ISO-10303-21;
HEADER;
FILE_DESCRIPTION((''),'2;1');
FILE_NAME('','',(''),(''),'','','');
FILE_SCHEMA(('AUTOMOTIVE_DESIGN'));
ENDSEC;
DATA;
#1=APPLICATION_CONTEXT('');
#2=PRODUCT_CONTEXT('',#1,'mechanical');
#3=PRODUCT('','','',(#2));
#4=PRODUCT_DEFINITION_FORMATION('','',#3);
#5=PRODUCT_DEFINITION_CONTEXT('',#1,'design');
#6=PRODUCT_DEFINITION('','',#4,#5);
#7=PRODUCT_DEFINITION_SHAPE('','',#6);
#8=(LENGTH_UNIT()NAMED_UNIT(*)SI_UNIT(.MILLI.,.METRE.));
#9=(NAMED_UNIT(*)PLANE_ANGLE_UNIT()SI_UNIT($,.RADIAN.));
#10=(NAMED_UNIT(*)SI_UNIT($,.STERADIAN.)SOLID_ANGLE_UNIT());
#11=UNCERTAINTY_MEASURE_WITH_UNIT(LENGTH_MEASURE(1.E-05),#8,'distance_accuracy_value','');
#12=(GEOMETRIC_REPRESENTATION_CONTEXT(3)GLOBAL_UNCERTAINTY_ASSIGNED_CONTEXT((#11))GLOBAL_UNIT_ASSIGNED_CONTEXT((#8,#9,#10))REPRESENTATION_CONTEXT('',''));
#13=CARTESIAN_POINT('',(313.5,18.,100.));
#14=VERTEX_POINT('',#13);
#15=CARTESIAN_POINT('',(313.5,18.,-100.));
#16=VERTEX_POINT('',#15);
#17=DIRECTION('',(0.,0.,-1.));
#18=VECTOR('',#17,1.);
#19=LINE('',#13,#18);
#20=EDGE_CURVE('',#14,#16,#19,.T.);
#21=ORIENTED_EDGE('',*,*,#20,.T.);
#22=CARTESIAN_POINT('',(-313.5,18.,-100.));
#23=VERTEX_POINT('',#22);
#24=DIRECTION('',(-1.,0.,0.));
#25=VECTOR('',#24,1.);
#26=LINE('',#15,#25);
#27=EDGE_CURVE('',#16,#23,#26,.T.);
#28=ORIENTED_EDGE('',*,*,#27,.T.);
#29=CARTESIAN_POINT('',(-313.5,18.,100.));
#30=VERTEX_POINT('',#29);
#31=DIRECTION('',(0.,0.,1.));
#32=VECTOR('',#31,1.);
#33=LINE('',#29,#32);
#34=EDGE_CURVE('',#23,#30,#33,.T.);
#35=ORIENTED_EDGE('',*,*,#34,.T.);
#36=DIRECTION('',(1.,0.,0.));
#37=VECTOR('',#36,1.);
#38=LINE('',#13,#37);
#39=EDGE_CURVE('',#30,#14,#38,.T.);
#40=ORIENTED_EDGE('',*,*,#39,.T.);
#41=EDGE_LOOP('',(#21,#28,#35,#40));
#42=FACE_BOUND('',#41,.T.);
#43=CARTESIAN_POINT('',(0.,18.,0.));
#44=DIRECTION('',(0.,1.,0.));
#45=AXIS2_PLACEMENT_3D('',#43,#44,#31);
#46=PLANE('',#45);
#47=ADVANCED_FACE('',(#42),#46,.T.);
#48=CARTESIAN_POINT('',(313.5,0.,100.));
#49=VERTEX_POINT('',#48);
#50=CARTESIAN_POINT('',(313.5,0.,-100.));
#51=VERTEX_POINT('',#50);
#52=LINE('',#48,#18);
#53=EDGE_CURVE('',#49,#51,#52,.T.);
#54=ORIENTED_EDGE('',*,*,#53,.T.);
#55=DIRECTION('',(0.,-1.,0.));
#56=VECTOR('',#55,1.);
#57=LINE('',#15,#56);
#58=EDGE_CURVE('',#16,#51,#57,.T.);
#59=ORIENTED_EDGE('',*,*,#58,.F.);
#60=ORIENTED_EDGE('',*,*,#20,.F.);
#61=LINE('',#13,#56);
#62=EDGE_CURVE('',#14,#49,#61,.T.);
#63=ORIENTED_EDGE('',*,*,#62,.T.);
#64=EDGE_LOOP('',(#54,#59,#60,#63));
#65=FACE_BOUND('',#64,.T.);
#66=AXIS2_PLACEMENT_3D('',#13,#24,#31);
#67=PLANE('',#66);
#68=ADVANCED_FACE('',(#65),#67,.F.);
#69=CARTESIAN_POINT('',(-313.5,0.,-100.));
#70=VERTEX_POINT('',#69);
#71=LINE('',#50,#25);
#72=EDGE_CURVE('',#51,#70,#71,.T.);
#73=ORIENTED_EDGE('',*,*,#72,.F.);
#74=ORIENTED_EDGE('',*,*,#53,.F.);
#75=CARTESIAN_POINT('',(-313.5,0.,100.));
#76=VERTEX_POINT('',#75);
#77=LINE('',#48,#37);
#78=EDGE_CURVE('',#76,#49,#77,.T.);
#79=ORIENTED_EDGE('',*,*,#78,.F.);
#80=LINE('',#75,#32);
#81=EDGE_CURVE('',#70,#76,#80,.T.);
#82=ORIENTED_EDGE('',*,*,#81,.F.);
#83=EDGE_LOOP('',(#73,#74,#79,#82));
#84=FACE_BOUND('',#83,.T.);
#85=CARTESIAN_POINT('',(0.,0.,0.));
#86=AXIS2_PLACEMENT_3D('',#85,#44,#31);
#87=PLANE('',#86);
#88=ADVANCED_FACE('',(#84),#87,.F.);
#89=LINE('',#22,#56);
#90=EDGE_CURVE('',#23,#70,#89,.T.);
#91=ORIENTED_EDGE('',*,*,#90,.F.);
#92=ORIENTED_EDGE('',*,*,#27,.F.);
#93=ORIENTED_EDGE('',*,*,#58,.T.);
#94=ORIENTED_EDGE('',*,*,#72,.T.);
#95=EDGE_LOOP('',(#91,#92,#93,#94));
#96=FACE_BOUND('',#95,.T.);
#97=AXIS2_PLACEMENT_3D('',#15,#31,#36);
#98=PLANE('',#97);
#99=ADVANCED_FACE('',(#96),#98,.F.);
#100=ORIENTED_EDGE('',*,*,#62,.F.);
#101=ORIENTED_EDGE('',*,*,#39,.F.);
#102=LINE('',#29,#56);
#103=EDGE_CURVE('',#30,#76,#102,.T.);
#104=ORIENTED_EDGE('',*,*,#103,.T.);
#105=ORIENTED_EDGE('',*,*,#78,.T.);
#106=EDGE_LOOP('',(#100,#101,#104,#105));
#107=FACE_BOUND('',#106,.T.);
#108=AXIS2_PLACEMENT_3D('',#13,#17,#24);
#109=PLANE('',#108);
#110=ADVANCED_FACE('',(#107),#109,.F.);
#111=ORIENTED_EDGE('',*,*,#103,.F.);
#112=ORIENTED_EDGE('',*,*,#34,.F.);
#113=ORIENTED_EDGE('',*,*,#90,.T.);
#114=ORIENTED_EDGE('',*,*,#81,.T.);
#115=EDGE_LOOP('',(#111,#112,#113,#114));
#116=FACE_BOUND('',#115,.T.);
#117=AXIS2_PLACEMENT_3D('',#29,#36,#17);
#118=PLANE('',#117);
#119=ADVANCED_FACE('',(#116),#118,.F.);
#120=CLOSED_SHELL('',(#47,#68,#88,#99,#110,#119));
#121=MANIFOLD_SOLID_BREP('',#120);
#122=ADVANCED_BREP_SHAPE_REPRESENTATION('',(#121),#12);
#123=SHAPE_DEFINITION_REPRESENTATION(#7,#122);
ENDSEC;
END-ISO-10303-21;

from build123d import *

# Parameters (mm, degrees)
SKETCH_1_W      = 627
SKETCH_1_H      = 200
EXTRUDE_1_DEPTH = 18


with BuildPart() as part:
    # Эскиз1 → Бобышка-Вытянуть1 (new body)
    with BuildSketch(Plane(origin=(0, 0, 0), x_dir=(1, 0, 0), z_dir=(0, 1, 0))):
        Rectangle(SKETCH_1_W, SKETCH_1_H)
    extrude(amount=EXTRUDE_1_DEPTH)


solid = part.part
